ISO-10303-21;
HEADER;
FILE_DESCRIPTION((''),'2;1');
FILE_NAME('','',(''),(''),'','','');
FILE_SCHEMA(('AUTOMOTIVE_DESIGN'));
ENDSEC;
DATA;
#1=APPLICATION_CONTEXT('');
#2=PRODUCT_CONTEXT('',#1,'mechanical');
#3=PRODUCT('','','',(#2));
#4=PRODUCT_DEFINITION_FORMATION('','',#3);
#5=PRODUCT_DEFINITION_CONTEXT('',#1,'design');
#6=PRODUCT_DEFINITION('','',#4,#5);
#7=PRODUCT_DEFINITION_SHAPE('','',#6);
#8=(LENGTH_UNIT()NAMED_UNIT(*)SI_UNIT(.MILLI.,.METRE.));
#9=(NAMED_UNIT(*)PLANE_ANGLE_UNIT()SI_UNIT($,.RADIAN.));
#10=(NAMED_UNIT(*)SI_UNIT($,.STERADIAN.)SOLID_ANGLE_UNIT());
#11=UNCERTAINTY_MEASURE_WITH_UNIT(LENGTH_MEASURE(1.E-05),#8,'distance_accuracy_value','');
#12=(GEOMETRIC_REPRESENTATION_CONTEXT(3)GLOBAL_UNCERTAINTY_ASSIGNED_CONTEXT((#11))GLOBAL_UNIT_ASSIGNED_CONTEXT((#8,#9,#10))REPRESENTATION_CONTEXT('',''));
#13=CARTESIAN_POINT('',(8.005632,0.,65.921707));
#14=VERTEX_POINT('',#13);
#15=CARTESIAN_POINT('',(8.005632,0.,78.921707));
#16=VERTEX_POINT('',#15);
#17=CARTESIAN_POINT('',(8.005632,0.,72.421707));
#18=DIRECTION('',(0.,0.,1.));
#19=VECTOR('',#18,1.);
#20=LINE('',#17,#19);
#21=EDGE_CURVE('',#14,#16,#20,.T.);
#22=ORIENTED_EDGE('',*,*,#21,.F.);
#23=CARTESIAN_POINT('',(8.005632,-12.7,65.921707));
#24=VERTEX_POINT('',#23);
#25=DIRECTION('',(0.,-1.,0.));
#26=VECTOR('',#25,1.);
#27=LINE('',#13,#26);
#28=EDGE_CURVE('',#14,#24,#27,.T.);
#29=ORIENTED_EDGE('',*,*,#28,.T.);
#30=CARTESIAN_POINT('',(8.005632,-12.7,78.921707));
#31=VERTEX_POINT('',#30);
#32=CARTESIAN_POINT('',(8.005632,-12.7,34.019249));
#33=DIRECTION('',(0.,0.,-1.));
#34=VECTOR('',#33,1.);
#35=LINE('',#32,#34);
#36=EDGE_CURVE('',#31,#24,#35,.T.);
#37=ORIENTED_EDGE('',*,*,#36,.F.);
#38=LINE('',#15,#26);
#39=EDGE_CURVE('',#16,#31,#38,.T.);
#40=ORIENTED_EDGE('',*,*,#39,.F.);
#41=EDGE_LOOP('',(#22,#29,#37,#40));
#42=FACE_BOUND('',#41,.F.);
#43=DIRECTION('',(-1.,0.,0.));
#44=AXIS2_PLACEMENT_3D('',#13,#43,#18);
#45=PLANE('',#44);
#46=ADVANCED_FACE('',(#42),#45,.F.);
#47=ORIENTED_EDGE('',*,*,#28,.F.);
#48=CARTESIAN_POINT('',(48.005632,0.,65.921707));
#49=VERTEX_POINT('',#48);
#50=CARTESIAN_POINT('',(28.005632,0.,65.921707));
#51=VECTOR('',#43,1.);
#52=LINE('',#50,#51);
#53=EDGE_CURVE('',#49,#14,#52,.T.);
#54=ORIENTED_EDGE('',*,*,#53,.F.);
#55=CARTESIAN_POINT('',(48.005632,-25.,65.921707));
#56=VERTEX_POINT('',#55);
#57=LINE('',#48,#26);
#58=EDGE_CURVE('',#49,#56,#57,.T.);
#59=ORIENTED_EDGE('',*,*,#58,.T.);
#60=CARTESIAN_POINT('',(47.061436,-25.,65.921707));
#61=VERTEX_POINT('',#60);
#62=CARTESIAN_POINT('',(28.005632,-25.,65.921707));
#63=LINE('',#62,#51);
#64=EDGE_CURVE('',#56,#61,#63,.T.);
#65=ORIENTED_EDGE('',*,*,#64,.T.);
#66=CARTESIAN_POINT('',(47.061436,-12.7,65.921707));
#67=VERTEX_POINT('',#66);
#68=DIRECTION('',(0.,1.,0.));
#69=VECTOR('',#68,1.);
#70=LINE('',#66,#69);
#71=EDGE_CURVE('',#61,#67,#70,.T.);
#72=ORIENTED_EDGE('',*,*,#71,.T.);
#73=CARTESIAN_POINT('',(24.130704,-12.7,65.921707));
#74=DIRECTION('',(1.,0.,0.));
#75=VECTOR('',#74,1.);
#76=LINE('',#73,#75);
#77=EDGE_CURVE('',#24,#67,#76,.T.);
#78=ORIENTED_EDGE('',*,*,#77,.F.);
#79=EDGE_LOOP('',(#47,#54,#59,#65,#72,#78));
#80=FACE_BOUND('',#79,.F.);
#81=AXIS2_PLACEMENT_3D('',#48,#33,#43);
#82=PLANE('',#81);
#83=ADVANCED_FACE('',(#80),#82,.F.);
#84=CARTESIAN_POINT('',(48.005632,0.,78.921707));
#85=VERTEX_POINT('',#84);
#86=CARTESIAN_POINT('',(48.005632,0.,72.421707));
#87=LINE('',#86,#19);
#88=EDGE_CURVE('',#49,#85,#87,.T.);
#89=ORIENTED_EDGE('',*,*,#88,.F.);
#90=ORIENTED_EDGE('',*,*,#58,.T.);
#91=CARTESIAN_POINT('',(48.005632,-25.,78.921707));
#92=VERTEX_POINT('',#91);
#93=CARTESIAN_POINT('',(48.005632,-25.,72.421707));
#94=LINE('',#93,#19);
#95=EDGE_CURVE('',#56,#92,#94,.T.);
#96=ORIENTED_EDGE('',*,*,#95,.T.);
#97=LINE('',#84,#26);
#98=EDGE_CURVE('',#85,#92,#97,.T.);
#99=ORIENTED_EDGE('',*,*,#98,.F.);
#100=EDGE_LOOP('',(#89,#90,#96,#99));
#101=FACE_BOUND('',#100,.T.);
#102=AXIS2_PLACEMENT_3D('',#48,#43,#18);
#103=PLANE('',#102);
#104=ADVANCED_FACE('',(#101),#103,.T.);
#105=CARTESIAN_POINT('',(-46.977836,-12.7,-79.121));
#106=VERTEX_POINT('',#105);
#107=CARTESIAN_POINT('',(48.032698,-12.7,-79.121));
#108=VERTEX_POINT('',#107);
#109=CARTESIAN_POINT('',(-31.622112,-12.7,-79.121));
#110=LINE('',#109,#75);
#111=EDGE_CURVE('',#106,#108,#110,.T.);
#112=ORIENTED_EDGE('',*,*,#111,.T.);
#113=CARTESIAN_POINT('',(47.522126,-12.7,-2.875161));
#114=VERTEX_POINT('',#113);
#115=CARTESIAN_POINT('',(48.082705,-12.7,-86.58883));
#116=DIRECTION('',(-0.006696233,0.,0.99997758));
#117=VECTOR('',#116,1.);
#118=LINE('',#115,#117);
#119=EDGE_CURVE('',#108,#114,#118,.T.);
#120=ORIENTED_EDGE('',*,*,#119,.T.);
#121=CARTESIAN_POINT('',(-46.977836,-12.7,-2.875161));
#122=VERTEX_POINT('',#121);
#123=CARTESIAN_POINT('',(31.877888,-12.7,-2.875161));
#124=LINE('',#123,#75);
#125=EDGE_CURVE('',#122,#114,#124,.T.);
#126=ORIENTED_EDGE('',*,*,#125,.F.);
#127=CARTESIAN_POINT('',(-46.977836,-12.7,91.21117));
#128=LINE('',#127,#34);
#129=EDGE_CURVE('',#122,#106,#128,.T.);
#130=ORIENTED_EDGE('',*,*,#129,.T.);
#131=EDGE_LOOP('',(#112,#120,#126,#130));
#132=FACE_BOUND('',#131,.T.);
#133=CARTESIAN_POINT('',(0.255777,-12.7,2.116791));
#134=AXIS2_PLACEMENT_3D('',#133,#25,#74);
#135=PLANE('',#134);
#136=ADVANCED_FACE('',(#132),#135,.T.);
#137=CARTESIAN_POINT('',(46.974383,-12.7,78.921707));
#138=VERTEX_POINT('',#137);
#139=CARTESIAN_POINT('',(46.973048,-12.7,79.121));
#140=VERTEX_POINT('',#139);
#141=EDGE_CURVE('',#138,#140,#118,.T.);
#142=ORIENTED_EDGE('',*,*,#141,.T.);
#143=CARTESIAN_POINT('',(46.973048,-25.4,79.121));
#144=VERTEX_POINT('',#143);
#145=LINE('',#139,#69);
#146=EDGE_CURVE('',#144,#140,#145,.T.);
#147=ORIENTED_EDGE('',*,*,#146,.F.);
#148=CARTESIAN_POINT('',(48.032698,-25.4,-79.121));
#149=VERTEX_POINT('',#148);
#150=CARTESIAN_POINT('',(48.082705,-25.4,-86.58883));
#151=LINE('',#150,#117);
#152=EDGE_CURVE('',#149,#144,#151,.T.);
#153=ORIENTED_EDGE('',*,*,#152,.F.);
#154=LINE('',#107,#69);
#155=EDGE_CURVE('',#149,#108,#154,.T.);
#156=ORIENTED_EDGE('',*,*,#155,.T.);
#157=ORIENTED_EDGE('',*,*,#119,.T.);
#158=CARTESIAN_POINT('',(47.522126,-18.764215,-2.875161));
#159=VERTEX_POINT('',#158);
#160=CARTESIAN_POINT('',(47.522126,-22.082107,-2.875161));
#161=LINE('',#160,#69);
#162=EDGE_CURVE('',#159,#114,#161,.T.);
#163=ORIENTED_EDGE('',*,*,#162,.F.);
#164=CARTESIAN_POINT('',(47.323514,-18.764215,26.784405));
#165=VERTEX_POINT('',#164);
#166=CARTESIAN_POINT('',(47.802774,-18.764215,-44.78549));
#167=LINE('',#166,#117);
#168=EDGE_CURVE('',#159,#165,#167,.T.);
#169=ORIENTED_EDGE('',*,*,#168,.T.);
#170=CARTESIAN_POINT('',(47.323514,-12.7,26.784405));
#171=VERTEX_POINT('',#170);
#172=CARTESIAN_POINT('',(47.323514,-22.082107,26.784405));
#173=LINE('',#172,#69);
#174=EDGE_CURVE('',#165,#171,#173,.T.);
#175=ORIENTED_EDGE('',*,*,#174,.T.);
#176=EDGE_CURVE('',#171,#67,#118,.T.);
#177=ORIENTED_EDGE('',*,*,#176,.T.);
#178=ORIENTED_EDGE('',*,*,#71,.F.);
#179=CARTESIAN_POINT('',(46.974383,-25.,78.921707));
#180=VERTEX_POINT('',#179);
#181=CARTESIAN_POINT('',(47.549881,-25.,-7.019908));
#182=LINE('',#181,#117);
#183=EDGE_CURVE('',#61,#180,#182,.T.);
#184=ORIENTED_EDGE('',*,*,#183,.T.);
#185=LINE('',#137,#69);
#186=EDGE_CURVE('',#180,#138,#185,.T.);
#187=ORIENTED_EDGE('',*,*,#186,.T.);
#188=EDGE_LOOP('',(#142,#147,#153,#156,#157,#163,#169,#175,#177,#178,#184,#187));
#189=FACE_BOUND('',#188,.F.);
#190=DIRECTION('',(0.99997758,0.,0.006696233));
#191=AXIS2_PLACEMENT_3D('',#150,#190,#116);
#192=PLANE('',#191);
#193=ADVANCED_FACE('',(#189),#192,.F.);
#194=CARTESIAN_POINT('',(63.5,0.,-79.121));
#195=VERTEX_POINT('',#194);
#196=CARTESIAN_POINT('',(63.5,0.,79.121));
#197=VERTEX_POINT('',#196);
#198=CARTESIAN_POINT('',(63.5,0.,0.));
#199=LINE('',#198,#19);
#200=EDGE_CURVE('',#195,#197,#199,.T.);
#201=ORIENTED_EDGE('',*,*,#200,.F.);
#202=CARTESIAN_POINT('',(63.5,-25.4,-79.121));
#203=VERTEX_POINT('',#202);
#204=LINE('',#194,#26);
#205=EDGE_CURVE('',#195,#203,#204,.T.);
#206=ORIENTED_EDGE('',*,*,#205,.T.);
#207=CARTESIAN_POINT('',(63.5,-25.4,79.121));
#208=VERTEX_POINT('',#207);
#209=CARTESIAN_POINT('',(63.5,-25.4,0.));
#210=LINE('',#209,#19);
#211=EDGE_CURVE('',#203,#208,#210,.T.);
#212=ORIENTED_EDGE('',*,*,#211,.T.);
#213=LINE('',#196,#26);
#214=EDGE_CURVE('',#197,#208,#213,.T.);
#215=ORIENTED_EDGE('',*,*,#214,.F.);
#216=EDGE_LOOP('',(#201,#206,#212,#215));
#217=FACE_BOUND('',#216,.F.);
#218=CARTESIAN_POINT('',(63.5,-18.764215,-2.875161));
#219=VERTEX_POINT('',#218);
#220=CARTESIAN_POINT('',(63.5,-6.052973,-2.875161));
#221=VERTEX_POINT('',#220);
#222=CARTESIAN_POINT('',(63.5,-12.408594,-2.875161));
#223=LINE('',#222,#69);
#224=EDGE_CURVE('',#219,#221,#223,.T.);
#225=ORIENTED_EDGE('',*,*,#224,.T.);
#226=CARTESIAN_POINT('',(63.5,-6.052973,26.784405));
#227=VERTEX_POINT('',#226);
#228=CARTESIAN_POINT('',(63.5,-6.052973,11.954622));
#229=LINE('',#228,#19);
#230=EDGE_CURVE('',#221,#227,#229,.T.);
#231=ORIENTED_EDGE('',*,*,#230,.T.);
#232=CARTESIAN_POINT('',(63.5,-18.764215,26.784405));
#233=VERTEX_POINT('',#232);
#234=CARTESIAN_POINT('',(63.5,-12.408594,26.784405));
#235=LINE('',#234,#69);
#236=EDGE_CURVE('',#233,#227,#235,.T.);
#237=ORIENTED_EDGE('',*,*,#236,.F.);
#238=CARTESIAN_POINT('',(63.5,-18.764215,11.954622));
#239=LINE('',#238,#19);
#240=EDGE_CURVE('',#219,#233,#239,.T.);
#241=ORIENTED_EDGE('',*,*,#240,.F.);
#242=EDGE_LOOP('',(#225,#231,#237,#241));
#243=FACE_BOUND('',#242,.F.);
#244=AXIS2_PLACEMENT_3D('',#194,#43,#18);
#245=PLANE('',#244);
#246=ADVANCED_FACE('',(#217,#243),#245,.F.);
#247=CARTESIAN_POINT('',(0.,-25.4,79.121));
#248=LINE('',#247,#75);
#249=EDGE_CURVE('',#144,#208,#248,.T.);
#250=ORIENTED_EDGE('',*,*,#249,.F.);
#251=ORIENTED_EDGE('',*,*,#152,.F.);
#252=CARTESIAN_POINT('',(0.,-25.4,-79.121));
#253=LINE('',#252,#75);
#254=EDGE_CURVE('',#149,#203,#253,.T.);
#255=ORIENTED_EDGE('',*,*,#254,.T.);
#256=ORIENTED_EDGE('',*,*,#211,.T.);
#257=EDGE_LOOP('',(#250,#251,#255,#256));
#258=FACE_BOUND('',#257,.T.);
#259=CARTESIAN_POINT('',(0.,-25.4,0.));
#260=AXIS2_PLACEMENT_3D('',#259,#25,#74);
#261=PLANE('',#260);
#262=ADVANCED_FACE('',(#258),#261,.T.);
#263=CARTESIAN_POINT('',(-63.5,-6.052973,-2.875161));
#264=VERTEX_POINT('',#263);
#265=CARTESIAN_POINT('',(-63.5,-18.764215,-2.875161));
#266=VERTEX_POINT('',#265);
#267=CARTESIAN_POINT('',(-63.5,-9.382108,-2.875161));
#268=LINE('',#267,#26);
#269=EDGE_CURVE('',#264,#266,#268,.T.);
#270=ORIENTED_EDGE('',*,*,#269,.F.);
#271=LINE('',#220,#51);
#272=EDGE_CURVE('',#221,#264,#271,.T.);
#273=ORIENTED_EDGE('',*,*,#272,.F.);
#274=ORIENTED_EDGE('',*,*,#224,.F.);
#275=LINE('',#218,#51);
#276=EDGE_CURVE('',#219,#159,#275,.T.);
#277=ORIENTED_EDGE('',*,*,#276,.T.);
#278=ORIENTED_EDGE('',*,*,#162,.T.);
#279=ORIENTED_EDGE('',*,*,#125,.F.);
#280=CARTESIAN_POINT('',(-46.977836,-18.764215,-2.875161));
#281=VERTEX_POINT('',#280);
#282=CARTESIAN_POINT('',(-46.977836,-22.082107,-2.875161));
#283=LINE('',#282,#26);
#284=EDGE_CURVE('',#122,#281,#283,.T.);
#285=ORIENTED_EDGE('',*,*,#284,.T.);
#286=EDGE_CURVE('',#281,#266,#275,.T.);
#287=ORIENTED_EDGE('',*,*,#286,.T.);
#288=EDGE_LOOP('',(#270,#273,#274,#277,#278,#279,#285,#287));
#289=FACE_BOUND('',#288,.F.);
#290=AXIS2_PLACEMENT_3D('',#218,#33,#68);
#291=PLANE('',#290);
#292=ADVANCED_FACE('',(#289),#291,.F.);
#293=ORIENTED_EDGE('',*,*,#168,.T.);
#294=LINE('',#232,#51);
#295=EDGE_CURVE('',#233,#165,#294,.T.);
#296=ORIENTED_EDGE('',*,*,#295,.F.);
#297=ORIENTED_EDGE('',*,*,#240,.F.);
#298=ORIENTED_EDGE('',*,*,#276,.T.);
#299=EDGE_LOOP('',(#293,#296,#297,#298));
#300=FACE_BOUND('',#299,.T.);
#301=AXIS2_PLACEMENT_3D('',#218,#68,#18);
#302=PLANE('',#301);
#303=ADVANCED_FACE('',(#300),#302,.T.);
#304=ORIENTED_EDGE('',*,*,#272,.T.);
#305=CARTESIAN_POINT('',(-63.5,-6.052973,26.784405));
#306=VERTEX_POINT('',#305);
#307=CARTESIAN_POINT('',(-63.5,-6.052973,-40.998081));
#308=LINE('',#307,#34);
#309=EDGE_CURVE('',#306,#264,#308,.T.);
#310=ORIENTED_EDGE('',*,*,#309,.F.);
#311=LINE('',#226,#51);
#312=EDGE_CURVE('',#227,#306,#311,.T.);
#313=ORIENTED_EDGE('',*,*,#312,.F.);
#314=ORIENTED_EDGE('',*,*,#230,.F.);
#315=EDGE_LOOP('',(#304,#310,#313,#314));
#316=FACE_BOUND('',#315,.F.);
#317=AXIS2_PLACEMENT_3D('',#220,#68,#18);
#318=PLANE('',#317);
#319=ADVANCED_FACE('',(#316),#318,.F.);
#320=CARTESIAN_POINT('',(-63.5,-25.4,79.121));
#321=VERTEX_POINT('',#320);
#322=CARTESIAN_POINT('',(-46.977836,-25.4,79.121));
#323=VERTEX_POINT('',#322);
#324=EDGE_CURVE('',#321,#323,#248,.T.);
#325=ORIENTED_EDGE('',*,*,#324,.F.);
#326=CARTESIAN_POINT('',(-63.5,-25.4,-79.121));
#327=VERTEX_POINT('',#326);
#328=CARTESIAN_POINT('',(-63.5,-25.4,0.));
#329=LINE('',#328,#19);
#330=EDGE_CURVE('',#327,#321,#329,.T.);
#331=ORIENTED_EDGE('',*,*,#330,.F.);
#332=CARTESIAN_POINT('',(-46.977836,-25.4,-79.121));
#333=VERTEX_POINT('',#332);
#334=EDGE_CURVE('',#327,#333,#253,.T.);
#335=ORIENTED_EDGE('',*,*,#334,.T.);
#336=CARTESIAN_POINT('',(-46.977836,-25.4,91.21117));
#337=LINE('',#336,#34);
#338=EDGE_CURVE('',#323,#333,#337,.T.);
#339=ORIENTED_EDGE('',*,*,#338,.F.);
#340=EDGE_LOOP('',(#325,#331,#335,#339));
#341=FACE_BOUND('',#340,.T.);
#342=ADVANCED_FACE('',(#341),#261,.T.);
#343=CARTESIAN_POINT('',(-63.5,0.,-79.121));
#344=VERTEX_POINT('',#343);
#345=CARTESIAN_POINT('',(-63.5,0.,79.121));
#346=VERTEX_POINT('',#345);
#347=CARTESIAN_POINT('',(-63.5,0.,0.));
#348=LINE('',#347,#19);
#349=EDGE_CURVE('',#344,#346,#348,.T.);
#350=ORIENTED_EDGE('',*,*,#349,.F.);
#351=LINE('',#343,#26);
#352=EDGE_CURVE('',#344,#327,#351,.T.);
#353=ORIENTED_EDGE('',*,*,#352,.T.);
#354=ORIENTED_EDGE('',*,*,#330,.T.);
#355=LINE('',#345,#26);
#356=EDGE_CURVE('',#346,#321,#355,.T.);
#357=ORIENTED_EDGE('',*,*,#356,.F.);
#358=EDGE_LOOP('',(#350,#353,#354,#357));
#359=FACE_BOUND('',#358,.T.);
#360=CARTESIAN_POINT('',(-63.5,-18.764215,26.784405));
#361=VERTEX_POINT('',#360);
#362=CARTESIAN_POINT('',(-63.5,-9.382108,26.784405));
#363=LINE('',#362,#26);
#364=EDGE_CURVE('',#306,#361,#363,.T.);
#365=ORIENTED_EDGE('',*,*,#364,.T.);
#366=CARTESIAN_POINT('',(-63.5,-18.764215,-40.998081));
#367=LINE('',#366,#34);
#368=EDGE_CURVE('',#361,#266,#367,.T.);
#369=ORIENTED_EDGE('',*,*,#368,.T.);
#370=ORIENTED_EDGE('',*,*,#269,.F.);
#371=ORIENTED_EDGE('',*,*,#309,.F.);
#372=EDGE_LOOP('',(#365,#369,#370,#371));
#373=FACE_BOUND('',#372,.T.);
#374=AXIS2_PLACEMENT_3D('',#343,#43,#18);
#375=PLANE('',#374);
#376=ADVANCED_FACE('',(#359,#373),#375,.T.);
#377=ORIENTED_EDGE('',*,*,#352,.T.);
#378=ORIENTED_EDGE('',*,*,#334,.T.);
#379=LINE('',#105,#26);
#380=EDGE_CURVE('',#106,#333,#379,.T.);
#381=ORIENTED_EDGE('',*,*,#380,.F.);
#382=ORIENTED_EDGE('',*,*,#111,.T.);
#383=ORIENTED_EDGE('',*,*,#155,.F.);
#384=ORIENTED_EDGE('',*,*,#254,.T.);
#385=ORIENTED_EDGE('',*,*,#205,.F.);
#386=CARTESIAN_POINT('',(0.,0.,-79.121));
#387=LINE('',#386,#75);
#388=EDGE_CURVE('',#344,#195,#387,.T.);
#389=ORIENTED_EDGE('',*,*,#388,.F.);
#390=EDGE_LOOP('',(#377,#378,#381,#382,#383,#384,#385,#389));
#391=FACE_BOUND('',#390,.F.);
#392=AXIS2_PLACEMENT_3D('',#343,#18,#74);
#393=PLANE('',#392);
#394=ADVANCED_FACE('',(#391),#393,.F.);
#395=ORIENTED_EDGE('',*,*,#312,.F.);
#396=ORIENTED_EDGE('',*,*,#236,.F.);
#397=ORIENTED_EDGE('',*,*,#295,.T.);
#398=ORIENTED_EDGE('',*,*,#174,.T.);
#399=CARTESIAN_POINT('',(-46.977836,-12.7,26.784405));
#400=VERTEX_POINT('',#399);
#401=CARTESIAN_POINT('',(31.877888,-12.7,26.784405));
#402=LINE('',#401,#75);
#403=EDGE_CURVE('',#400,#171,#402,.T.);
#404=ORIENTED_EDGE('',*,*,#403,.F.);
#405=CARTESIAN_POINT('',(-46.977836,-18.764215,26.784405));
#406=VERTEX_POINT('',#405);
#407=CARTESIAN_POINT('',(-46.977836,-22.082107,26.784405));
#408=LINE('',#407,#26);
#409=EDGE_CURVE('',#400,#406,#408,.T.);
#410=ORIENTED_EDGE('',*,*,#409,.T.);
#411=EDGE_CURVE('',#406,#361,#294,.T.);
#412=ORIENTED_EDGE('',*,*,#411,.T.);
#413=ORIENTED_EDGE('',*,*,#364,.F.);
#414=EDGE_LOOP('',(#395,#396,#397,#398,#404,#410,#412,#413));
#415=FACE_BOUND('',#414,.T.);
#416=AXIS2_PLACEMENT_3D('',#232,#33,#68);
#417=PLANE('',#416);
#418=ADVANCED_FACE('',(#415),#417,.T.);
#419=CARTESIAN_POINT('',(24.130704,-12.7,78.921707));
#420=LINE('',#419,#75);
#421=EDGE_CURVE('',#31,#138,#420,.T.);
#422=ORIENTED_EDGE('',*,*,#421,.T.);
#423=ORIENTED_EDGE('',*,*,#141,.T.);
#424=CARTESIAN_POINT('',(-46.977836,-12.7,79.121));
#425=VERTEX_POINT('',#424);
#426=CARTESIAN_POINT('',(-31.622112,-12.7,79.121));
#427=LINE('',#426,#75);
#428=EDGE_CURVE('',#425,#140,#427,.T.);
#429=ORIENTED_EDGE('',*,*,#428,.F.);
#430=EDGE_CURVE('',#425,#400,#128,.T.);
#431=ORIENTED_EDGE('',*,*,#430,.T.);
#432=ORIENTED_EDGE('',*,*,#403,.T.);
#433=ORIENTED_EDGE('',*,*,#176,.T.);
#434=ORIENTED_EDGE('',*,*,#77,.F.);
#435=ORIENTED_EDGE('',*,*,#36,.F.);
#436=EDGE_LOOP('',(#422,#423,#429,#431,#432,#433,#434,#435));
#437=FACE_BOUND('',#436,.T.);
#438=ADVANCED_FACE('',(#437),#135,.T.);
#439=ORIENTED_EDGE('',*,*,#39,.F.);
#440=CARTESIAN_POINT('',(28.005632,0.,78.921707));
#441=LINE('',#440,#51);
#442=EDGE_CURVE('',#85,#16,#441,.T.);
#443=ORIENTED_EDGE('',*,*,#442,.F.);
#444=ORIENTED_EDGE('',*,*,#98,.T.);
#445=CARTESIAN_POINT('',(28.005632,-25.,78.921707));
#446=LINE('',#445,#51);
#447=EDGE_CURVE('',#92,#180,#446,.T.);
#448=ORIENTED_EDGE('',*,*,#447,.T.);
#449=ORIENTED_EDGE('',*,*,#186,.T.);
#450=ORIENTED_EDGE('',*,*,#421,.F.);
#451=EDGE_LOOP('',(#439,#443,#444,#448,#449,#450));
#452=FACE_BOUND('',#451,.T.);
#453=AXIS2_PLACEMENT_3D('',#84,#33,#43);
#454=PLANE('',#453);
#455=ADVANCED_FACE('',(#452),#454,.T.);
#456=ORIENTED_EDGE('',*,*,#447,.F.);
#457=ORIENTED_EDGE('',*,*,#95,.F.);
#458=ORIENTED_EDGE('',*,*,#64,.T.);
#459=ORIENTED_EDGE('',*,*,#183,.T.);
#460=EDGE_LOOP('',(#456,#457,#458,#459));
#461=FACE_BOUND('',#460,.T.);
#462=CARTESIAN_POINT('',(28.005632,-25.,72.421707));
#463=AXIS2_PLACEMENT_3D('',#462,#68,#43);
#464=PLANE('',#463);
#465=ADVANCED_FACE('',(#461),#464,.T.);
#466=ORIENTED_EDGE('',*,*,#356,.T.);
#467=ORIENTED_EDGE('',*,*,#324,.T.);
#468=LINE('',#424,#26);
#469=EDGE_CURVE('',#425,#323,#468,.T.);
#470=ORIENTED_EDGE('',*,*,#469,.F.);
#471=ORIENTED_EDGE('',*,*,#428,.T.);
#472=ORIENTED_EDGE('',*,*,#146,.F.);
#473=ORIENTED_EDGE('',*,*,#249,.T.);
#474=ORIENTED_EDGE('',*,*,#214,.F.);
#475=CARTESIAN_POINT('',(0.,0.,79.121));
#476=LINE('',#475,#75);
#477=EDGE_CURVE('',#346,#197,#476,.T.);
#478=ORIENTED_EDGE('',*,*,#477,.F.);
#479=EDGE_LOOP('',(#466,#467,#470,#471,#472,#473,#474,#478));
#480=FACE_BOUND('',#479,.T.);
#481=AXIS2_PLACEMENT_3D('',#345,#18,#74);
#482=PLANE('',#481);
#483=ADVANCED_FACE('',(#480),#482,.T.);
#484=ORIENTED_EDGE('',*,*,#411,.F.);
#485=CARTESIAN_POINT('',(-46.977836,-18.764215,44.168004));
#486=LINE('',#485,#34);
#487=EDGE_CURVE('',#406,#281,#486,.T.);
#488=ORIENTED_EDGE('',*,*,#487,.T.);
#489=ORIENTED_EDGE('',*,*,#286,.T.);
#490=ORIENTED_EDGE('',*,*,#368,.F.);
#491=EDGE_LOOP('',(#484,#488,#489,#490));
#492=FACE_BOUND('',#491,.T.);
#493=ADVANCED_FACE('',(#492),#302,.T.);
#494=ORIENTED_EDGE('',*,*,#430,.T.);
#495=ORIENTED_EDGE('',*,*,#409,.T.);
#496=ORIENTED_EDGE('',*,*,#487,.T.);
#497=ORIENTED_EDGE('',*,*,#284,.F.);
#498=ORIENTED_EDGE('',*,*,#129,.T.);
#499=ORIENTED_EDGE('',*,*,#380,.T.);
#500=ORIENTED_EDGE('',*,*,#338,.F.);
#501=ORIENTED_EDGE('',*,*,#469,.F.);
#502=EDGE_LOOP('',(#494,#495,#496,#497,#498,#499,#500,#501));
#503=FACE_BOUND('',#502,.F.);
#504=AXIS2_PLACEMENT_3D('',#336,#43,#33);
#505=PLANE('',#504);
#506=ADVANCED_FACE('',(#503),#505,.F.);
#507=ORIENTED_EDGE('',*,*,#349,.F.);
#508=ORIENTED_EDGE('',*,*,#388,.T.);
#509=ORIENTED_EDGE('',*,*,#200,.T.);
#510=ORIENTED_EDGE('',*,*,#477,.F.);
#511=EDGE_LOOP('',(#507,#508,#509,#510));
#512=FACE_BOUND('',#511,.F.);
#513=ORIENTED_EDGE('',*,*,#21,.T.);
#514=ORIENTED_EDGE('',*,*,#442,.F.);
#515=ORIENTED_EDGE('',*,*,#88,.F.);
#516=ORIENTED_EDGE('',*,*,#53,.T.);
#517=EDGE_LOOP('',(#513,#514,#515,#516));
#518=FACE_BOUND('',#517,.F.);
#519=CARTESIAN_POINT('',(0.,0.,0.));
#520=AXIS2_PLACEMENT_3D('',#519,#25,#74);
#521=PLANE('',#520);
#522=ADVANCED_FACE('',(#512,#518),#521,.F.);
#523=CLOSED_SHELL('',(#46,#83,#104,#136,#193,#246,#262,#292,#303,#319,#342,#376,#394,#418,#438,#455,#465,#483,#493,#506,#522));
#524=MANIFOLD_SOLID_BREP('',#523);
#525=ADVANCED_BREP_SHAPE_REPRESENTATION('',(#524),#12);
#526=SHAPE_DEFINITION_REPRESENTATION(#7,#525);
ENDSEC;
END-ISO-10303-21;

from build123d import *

# Parameters (mm, degrees)
F0_W     = 127
F0_H     = 158.242
F1_DEPTH = 25.4
F4_DEPTH = 12.7
F5_W     = 40
F5_H     = 13
F6_DEPTH = 25
F7_W     = 12.711242
F7_H     = 29.659567
F8_DEPTH = 152.4


with BuildPart() as f1:
    # F0 (on Front) → F1 (new body)
    with BuildSketch(Plane.XZ):
        Rectangle(F0_W, F0_H)
    extrude(amount=F1_DEPTH)

    # F3 (on face) → F4 (cut)
    with BuildSketch(Plane.XZ.offset(25.4)):
        Polygon((48.082705, -86.58883), (46.892088, 91.21117), (-46.977836, 91.21117), (-46.977836, -86.58883), align=None)
    extrude(amount=-F4_DEPTH, mode=Mode.SUBTRACT)

    # F5 (on face) → F6 (cut)
    with BuildSketch(Plane(origin=(0, 0, 0), x_dir=(-1, 0, 0), z_dir=(0, 1, 0))):
        with Locations((-28.005632, 72.421707)):
            Rectangle(F5_W, F5_H)
    extrude(amount=-F6_DEPTH, mode=Mode.SUBTRACT)

    # F7 (on face) → F8 (cut)
    with BuildSketch(Plane.YZ.offset(63.5)):
        with Locations((-12.408594, 11.954622)):
            Rectangle(F7_W, F7_H)
    extrude(amount=-F8_DEPTH, mode=Mode.SUBTRACT)


solid = f1.part
